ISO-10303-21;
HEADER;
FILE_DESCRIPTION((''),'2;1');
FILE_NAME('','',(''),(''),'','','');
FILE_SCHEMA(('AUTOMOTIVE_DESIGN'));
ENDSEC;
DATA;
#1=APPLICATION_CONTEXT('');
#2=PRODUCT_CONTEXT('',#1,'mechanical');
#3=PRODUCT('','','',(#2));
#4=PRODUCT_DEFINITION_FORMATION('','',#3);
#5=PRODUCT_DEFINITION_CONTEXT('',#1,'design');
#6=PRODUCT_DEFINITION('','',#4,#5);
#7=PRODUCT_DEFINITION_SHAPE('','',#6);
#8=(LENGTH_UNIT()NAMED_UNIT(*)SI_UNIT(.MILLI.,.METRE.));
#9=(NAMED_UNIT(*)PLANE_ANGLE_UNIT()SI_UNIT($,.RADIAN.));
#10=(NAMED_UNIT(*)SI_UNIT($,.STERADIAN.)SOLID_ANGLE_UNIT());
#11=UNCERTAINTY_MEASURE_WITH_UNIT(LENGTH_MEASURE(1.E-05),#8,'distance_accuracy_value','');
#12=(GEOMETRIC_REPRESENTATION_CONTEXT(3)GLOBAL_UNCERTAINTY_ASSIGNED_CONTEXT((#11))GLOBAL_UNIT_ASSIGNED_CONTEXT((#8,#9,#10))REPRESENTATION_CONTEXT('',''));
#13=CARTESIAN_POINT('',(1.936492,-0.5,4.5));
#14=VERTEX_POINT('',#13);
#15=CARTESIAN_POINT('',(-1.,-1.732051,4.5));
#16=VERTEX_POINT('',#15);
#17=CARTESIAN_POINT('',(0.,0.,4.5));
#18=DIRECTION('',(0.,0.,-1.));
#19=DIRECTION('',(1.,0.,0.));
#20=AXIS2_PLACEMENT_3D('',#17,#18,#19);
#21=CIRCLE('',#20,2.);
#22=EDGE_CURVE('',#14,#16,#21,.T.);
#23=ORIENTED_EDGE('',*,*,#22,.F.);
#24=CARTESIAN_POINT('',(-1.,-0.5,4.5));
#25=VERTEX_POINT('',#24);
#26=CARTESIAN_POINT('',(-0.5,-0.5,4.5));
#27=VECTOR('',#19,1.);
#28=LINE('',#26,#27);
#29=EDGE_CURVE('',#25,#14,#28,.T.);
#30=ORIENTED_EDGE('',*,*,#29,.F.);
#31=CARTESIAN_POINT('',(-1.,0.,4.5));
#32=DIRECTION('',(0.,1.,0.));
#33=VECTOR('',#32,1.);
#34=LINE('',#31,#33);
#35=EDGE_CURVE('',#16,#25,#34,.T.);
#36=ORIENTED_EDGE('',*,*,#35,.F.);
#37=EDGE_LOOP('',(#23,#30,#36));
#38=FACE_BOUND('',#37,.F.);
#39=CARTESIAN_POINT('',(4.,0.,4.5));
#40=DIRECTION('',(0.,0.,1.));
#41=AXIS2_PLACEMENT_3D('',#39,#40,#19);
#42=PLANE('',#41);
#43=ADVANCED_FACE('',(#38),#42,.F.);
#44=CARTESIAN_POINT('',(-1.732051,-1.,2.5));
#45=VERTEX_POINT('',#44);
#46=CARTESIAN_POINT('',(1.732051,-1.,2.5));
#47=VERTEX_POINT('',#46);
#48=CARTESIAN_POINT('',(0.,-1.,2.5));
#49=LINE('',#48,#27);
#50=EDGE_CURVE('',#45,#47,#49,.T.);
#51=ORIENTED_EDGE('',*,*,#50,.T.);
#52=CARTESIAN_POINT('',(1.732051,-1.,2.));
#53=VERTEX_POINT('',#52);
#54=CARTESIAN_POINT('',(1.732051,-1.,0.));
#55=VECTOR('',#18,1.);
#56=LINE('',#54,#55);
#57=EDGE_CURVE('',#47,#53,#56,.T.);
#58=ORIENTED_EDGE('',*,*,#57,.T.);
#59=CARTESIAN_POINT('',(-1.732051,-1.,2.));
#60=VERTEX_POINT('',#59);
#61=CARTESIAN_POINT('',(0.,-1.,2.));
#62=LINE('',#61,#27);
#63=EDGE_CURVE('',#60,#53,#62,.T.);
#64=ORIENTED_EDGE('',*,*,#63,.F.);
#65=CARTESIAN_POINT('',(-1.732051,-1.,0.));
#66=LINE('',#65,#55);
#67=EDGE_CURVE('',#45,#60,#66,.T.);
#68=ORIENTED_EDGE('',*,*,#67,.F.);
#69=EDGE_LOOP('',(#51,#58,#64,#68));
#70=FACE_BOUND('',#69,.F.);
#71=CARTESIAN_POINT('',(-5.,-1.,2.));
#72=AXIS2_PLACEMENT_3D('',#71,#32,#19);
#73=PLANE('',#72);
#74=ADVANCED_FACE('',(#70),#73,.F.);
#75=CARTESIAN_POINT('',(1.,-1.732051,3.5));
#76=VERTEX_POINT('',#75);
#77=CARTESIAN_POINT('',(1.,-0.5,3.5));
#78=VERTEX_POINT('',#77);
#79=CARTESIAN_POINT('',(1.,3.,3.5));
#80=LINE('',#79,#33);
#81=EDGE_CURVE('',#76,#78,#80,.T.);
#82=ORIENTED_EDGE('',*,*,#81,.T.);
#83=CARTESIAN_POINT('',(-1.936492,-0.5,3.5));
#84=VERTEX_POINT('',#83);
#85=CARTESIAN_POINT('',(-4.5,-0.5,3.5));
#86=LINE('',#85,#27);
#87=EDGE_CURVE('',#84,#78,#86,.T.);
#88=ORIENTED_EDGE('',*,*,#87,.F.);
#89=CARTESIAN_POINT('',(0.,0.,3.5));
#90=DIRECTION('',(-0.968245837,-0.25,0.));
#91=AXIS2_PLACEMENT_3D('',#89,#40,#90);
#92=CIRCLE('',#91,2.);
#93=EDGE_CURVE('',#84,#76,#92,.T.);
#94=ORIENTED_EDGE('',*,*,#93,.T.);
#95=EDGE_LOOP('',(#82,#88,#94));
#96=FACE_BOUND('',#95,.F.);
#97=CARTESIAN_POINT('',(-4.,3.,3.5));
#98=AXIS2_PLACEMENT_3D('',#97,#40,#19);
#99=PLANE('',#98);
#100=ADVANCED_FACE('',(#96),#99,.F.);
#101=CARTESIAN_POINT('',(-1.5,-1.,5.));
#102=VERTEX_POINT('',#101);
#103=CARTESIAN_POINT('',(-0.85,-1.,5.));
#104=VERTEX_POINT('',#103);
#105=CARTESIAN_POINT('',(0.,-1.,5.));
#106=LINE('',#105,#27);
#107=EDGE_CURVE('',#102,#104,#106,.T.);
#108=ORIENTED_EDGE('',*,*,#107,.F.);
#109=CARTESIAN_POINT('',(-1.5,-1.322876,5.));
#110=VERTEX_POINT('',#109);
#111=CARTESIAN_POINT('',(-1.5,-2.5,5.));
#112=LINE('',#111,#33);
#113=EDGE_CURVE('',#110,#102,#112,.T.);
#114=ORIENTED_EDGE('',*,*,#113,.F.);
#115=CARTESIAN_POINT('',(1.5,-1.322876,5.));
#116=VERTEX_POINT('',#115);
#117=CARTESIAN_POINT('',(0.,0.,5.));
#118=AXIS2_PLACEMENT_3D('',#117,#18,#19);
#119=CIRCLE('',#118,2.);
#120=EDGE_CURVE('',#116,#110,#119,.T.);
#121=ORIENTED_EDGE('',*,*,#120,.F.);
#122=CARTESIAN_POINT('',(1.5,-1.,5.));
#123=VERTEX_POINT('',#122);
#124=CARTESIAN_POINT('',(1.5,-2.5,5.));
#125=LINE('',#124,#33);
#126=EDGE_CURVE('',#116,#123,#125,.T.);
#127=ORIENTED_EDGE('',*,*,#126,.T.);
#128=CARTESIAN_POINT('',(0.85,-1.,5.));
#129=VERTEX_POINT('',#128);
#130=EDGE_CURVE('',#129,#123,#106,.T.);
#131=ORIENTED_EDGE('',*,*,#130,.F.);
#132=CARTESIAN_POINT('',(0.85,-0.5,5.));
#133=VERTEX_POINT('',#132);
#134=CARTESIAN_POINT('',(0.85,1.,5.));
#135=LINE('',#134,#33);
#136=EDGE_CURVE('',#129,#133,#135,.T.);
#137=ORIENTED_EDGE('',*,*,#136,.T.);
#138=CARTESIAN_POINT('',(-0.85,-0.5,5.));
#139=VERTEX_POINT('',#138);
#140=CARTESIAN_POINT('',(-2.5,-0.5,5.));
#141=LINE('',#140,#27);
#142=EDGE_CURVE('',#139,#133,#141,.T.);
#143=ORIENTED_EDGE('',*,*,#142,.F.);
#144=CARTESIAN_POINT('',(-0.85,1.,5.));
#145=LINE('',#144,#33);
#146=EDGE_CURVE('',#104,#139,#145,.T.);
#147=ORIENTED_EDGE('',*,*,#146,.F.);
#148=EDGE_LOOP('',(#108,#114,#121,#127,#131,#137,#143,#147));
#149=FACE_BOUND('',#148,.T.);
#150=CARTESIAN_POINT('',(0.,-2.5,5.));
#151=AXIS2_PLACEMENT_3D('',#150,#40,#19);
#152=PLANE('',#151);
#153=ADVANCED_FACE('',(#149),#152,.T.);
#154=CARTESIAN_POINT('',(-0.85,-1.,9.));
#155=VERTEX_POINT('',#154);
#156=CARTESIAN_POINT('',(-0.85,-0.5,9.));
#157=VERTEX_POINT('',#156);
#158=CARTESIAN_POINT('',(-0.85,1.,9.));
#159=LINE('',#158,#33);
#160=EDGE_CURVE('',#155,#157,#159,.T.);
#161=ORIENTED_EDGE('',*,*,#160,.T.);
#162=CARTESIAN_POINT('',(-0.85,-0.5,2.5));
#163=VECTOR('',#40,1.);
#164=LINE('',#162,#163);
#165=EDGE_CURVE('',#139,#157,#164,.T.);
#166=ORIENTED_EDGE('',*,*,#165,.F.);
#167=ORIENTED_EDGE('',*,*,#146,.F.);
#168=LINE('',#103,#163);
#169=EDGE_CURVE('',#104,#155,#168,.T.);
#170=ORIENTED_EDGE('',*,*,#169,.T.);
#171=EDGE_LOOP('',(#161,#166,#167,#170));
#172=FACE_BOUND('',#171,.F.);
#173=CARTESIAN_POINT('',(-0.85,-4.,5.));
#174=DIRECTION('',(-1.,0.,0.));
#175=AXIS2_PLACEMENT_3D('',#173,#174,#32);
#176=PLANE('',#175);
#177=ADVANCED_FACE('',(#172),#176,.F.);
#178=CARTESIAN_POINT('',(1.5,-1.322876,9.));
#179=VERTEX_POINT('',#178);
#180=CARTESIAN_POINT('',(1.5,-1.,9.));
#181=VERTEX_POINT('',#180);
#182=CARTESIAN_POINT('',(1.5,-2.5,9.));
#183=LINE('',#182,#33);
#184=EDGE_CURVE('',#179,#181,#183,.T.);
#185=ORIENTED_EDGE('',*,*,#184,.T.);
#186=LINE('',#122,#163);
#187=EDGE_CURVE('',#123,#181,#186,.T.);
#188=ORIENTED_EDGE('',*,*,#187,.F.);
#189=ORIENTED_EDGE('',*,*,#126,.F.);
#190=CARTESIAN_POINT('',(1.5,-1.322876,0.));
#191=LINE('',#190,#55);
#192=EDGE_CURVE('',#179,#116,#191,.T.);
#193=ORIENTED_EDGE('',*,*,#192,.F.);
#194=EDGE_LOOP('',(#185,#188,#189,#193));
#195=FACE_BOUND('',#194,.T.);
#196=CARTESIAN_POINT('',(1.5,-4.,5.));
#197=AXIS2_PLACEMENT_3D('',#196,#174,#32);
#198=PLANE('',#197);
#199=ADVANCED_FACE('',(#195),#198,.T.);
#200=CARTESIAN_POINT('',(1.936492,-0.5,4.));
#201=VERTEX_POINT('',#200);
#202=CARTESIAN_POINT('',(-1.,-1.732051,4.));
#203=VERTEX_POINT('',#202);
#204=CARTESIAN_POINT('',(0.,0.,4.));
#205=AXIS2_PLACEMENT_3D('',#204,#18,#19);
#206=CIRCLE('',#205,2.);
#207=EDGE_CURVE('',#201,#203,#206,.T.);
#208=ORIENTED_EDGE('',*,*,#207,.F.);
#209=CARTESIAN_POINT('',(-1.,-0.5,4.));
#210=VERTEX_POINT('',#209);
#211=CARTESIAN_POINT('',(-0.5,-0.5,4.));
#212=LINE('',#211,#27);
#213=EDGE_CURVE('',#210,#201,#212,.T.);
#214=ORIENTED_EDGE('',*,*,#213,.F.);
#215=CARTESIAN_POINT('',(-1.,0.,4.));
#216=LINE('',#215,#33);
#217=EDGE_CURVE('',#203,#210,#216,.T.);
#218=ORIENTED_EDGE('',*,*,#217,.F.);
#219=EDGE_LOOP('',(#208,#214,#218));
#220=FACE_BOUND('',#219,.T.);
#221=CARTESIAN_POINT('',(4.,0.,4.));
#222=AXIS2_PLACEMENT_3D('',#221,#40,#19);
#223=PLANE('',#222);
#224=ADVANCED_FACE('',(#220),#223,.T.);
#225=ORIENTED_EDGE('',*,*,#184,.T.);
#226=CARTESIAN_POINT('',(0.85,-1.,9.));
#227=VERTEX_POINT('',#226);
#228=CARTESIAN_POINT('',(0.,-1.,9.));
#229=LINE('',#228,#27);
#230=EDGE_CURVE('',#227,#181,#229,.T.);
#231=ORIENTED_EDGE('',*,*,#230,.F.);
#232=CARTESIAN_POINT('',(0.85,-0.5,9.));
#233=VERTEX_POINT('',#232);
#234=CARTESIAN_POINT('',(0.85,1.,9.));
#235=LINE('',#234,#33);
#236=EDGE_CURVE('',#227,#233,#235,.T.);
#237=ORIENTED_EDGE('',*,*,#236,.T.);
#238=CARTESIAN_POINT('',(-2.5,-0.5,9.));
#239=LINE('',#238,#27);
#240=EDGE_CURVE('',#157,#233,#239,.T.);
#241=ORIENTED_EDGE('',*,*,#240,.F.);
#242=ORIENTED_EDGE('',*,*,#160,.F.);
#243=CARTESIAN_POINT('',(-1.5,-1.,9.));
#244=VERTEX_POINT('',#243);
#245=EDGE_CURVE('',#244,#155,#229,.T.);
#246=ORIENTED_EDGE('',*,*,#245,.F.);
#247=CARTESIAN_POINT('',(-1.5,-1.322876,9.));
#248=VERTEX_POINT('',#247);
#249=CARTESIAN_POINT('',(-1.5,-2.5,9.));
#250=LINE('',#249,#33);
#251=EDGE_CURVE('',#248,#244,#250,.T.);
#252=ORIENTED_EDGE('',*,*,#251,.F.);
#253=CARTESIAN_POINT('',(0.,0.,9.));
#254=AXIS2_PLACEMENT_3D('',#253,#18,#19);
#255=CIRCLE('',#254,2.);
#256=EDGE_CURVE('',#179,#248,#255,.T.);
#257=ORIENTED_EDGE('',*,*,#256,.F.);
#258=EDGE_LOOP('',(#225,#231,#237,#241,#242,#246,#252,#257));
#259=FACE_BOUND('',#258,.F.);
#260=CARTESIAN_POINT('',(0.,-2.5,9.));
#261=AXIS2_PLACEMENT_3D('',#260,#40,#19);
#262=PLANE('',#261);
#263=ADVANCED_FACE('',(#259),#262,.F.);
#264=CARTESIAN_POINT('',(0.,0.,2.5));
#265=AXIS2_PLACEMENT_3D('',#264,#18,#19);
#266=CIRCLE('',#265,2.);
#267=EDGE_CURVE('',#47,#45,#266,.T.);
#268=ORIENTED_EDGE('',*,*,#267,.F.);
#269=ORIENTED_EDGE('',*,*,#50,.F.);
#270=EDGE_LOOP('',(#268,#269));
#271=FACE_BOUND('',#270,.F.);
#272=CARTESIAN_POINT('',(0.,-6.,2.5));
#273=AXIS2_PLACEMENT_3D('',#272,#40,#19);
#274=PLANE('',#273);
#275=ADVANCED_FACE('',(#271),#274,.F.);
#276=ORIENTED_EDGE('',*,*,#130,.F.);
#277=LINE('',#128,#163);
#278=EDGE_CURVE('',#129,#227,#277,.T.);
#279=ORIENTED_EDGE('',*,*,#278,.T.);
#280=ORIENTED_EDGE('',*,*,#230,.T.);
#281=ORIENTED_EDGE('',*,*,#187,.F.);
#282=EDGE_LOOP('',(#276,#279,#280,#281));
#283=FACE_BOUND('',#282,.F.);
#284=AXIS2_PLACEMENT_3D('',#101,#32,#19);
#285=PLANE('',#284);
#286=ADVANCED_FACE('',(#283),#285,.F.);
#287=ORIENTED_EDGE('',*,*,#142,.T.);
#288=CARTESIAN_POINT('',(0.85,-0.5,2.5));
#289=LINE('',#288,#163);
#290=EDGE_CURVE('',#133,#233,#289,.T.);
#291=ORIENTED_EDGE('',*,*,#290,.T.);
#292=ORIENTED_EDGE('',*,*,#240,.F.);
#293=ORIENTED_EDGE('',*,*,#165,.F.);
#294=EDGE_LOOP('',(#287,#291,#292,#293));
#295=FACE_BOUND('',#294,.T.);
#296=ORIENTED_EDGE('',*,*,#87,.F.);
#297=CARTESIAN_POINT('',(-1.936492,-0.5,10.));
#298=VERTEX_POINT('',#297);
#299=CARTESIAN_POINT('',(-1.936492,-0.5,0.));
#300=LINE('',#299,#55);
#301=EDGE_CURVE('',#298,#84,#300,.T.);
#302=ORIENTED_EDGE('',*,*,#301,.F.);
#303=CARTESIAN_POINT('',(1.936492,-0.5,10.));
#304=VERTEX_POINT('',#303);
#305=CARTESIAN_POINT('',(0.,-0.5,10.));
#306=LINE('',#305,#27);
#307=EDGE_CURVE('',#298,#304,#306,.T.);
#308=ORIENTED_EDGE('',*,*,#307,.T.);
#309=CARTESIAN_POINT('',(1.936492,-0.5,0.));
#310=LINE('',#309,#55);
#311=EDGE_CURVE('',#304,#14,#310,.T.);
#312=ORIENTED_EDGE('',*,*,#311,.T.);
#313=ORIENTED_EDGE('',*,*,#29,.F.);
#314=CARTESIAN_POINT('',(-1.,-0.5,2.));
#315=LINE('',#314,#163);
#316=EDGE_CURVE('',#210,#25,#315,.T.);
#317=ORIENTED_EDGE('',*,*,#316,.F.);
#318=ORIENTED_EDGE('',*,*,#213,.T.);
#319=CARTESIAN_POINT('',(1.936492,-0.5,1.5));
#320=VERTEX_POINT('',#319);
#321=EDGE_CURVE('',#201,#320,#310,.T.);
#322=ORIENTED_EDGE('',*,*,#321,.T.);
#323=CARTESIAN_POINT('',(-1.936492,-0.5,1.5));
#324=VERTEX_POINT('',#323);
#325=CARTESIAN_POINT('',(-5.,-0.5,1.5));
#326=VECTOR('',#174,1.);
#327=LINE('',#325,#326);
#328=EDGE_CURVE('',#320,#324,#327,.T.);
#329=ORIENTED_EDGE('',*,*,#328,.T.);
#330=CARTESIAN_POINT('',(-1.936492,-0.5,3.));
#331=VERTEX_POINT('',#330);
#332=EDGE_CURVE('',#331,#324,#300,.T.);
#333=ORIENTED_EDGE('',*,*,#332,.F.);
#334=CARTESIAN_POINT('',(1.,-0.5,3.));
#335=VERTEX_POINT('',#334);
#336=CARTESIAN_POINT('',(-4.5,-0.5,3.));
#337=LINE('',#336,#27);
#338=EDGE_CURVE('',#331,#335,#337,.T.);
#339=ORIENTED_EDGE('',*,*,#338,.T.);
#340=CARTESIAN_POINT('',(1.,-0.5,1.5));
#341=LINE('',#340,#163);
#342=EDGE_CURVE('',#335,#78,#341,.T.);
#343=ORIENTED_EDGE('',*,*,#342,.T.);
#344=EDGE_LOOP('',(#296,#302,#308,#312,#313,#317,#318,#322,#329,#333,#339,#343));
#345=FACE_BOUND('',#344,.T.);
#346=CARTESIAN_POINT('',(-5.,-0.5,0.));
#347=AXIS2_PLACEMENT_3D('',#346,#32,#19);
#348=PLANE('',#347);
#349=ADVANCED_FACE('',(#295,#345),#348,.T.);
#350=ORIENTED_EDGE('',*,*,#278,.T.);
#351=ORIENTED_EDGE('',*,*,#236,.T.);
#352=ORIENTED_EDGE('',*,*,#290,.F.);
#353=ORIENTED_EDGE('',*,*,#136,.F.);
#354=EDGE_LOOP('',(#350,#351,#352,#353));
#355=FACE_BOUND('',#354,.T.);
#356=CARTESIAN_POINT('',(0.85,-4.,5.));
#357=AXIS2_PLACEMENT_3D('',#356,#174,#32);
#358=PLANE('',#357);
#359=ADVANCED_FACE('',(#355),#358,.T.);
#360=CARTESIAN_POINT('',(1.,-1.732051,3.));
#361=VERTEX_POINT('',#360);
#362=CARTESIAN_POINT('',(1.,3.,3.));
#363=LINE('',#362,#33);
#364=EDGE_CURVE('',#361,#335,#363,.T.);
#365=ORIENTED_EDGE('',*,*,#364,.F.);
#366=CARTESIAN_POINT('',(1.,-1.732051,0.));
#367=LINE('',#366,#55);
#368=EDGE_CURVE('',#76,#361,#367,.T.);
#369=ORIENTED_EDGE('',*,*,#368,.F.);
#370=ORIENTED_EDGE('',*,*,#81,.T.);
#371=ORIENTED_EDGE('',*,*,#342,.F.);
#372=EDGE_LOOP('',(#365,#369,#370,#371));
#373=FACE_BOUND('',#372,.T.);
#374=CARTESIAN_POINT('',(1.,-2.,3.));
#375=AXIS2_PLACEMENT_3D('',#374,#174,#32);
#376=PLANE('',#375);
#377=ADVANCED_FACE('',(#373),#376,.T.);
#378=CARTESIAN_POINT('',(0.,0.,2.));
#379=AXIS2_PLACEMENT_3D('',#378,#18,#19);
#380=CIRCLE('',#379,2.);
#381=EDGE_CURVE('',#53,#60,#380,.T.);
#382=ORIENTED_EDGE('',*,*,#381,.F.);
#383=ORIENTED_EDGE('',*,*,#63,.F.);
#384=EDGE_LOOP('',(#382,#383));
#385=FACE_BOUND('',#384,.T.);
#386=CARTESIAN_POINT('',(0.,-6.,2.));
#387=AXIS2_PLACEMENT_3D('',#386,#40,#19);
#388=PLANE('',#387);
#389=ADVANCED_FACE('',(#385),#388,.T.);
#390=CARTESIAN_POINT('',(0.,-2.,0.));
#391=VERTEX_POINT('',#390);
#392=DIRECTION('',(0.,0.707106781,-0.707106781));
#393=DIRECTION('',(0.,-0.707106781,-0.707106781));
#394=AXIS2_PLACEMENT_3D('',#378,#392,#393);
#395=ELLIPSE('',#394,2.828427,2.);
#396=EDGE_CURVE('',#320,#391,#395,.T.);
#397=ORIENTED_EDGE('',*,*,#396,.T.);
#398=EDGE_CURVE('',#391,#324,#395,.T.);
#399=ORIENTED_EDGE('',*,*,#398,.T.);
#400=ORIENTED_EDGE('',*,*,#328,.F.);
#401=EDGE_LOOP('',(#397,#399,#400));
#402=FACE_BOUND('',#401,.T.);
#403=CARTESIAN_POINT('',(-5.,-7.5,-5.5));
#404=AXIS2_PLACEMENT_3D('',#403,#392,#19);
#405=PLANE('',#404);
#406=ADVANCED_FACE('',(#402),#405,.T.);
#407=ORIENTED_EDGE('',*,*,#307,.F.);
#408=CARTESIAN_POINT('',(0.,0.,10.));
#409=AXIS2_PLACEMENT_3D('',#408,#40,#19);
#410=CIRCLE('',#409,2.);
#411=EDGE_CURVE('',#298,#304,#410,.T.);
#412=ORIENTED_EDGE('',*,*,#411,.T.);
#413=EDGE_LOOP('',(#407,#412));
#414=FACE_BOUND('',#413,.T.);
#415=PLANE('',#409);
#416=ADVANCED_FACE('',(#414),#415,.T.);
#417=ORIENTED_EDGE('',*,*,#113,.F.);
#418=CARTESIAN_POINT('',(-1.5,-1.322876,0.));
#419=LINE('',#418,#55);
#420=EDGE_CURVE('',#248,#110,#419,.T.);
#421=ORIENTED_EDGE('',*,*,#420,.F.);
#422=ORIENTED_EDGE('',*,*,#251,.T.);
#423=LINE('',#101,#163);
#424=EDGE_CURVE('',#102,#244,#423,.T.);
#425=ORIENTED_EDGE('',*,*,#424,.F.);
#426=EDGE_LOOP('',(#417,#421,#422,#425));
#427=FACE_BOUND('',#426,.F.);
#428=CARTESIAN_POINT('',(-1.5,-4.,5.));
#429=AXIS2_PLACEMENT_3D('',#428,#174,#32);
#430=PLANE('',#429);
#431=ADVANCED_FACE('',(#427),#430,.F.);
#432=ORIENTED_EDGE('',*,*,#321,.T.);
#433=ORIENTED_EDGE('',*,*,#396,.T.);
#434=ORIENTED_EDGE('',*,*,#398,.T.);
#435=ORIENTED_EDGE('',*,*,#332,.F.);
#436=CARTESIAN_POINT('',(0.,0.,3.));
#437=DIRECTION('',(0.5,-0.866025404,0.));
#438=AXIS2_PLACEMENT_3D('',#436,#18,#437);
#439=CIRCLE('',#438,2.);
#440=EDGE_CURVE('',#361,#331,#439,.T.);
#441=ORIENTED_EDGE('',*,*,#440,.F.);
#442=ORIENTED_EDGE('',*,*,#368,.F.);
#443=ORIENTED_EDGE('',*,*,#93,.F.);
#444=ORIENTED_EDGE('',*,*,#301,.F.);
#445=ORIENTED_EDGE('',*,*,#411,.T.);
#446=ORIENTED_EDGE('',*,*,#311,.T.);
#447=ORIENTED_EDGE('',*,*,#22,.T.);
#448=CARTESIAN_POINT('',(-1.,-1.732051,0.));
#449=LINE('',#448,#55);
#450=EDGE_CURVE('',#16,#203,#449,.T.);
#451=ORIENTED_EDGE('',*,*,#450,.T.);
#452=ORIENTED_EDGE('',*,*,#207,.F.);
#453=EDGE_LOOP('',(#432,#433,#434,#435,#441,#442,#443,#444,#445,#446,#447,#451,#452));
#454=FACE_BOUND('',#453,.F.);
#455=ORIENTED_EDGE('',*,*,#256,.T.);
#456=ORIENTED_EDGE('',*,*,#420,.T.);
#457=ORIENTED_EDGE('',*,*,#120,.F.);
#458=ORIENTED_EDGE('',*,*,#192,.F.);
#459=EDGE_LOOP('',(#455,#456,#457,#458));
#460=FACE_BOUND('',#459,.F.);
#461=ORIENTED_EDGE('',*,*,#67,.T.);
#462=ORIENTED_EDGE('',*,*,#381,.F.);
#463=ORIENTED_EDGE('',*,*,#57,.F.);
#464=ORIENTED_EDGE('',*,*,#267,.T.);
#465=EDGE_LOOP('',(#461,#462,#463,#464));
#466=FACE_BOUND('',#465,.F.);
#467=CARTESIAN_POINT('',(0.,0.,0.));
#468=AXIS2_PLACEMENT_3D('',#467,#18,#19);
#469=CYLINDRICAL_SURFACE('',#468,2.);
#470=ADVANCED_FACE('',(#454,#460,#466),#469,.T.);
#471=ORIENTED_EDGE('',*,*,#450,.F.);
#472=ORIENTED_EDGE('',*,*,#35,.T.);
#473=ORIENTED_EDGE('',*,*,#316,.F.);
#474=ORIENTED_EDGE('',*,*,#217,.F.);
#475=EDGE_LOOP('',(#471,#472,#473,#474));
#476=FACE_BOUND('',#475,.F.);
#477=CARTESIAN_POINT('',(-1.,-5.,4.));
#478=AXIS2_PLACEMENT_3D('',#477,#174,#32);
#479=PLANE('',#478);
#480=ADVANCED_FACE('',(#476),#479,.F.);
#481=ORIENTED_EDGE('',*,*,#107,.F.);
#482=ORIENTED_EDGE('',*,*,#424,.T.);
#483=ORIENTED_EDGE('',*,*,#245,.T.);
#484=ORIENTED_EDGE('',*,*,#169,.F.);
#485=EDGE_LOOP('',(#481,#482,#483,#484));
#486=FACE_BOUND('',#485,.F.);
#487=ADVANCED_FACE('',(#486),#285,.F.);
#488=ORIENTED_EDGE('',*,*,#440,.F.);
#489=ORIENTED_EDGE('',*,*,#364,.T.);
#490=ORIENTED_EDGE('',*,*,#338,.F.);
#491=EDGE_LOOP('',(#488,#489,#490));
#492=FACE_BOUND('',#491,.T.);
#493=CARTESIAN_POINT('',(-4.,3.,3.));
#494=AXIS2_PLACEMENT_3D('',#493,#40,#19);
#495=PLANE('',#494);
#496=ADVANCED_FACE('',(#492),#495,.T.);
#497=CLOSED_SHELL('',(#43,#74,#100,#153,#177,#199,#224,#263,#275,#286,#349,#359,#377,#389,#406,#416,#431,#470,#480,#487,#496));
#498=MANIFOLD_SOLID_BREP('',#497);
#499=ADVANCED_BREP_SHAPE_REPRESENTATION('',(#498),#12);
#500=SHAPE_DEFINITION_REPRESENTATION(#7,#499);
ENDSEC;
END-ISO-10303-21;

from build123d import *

# Parameters (mm, degrees)
BOX001_W               = 10
BOX001_H               = 10
BOX001_DEPTH           = 10
BOX001_PLACEMENT_ANGLE = 315
BOX004_W               = 10
BOX004_H               = 10
BOX004_DEPTH           = 0.5
BOX005_W               = 10
BOX005_H               = 10
BOX005_DEPTH           = 0.5
BOX006_W               = 10
BOX006_H               = 10
BOX006_DEPTH           = 0.5
BOX003_W               = 1.7
BOX003_H               = 10
BOX003_DEPTH           = 4
BOX002_W               = 3
BOX002_H               = 3
BOX002_DEPTH           = 4
BOX_W                  = 10
BOX_H                  = 10
BOX_DEPTH              = 10
CYLINDER_R             = 2
CYLINDER_DEPTH         = 10


with BuildPart() as angle_cutter:
    # Box001 → Box001 (new body)
    with BuildSketch(Plane.XY):
        with Locations((5, 5)):
            Rectangle(BOX001_W, BOX001_H)
    extrude(amount=BOX001_DEPTH)


with BuildPart() as angle_cutter_1:
    # Box001 placement: moved
    add(angle_cutter.part.moved(Location((-5, -7.5, -5.5))).rotate(Axis((-5, -7.5, -5.5), (1, 0, 0)), BOX001_PLACEMENT_ANGLE))


with BuildPart() as cube003:
    # Box004 → Box004 (new body)
    with BuildSketch(Plane(origin=(-1, -5, 4), x_dir=(1, 0, 0), z_dir=(0, 0, 1))):
        with Locations((5, 5)):
            Rectangle(BOX004_W, BOX004_H)
    extrude(amount=BOX004_DEPTH)


with BuildPart() as cube004:
    # Box005 → Box005 (new body)
    with BuildSketch(Plane(origin=(-9, -2, 3), x_dir=(1, 0, 0), z_dir=(0, 0, 1))):
        with Locations((5, 5)):
            Rectangle(BOX005_W, BOX005_H)
    extrude(amount=BOX005_DEPTH)


with BuildPart() as fusion001:
    # Box006 → Box006 (new body)
    with BuildSketch(Plane(origin=(-5, -11, 2), x_dir=(1, 0, 0), z_dir=(0, 0, 1))):
        with Locations((5, 5)):
            Rectangle(BOX006_W, BOX006_H)
    extrude(amount=BOX006_DEPTH)

    # Fusion001: union Cube003, Cube004
    add(cube003.part)
    add(cube004.part)


with BuildPart() as cube002:
    # Box003 → Box003 (new body)
    with BuildSketch(Plane(origin=(-0.85, -4, 4), x_dir=(1, 0, 0), z_dir=(0, 0, 1))):
        with Locations((0.85, 5)):
            Rectangle(BOX003_W, BOX003_H)
    extrude(amount=BOX003_DEPTH)


with BuildPart() as fusion:
    # Box002 → Box002 (new body)
    with BuildSketch(Plane(origin=(-1.5, -4, 4), x_dir=(1, 0, 0), z_dir=(0, 0, 1))):
        with Locations((1.5, 1.5)):
            Rectangle(BOX002_W, BOX002_H)
    extrude(amount=BOX002_DEPTH)

    # Fusion: union Cube002
    add(cube002.part)


with BuildPart() as fusion_1:
    # Fusion placement: moved
    add(fusion.part.moved(Location((0, 0, 1))))


with BuildPart() as cube:
    # Box → Box (new body)
    with BuildSketch(Plane(origin=(-5, -0.5, 0), x_dir=(1, 0, 0), z_dir=(0, 0, 1))):
        with Locations((5, 5)):
            Rectangle(BOX_W, BOX_H)
    extrude(amount=BOX_DEPTH)


with BuildPart() as cut003:
    # Cylinder → Cylinder (new body)
    with BuildSketch(Plane.XY):
        Circle(CYLINDER_R)
    extrude(amount=CYLINDER_DEPTH)

    # Cut: cut Cube
    add(cube.part, mode=Mode.SUBTRACT)

    # Cut001: cut Fusion
    add(fusion_1.part, mode=Mode.SUBTRACT)

    # Cut002: cut Fusion001
    add(fusion001.part, mode=Mode.SUBTRACT)

    # Cut003: cut Angle Cutter
    add(angle_cutter_1.part, mode=Mode.SUBTRACT)


solid = cut003.part
